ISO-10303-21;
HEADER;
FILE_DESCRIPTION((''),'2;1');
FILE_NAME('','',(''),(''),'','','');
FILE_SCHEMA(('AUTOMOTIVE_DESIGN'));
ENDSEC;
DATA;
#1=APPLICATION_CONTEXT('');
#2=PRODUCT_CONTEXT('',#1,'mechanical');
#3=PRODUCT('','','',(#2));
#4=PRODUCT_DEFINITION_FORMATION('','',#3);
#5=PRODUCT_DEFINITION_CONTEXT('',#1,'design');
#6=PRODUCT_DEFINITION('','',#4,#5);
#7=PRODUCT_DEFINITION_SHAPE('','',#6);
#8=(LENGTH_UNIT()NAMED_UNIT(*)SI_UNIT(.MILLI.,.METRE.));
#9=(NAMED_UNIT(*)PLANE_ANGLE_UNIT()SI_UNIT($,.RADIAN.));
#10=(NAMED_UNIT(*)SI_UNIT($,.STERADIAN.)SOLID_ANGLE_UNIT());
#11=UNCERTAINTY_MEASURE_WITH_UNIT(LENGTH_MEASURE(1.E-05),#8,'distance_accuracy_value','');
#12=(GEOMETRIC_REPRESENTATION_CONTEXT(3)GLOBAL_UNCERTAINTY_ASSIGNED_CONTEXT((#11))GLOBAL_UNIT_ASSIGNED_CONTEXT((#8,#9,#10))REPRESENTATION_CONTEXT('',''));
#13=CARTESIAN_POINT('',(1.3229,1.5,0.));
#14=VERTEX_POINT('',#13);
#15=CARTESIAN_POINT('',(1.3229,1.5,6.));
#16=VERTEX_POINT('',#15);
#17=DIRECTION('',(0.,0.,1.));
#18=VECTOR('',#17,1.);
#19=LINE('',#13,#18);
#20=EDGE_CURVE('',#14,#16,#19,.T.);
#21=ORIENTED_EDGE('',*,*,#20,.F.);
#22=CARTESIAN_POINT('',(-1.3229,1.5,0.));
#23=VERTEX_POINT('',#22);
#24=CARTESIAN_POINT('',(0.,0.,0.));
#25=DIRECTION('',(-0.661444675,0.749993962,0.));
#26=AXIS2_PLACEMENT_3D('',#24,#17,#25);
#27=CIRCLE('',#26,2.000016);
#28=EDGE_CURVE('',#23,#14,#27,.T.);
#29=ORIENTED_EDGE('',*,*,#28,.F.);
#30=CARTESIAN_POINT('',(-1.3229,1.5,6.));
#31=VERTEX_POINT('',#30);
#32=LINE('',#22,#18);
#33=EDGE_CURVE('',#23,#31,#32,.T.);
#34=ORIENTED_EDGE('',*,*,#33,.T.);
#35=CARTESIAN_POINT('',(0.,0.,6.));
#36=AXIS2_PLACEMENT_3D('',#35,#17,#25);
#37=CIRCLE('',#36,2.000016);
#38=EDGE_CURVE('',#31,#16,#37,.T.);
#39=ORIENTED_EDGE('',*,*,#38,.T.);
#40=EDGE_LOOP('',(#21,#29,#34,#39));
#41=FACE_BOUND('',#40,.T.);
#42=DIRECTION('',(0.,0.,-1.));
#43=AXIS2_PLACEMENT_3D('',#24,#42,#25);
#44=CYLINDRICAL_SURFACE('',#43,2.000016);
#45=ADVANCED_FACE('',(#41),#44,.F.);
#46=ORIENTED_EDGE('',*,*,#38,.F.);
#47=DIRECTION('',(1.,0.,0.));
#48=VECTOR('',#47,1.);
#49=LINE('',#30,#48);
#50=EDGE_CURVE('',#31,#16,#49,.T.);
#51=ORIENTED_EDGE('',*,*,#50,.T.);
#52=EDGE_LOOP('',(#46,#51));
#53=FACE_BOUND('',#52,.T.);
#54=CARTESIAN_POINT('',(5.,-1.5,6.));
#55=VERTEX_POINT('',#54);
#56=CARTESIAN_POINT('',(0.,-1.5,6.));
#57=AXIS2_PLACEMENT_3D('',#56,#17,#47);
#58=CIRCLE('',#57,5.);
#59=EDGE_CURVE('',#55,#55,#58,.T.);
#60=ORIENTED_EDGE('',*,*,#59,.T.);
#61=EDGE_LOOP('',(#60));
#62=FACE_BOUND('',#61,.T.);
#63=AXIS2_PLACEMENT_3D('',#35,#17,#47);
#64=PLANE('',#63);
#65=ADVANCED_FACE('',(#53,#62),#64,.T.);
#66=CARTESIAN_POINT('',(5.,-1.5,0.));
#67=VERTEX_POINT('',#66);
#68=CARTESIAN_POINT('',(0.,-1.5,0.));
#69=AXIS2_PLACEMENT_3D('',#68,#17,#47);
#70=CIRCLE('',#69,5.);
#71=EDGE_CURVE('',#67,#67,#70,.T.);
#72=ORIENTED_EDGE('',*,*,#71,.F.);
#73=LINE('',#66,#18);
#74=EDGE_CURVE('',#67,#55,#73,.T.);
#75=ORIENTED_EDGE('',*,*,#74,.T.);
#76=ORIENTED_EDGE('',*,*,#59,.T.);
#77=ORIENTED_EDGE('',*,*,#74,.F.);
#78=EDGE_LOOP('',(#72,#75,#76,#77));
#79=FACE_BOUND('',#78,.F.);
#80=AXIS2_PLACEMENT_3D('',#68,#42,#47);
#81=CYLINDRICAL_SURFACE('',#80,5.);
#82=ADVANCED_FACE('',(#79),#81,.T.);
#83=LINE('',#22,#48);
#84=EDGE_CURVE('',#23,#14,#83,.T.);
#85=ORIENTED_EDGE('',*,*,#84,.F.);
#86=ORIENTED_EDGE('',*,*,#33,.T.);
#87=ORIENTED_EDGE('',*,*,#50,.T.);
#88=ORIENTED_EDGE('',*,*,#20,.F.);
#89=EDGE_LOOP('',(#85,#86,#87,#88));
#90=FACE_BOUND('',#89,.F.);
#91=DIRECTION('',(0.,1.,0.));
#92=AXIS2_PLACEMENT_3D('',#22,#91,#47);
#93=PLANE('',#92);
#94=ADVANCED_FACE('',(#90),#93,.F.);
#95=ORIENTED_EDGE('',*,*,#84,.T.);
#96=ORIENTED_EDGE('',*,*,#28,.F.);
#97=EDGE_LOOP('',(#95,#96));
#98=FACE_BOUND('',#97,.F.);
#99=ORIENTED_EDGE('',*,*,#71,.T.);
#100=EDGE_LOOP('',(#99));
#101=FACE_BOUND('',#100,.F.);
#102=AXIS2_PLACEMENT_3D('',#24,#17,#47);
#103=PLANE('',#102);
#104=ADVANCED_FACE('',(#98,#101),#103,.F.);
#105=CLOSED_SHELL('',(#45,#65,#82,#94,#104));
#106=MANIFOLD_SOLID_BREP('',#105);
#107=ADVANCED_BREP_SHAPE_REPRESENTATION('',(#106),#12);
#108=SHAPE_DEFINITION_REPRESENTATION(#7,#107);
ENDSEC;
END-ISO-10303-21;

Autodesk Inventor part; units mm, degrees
ref_plane "YZ Plane" through (0, 0, 0) normal (1, 0, 0) x (0, 1, 0)
ref_plane "XZ Plane" through (0, 0, 0) normal (0, 1, 0) x (-1, 0, 0)
ref_plane "XY Plane" through (0, 0, 0) normal (0, 0, 1) x (1, 0, 0)
sketch "Sketch1" plane through (0, 0, 0) normal (0, 0, 1) x (1, 0, 0)
  arc A0 (-1.3229, 1.5) -> (1.3229, 1.5) centre (0, 0) ccw
  line L0 (-1.3229, 1.5) -> (1.3229, 1.5)
  circle A1 centre (0, -1.5) radius 5
  dimension "d0" = 2
  dimension "d1" = 1.5
  dimension "d2" = 10
  dimension "d3" = 1.5
extrude "Extrusion1" add sketch "Sketch1" along normal blind 6
properties part number "Cam"
